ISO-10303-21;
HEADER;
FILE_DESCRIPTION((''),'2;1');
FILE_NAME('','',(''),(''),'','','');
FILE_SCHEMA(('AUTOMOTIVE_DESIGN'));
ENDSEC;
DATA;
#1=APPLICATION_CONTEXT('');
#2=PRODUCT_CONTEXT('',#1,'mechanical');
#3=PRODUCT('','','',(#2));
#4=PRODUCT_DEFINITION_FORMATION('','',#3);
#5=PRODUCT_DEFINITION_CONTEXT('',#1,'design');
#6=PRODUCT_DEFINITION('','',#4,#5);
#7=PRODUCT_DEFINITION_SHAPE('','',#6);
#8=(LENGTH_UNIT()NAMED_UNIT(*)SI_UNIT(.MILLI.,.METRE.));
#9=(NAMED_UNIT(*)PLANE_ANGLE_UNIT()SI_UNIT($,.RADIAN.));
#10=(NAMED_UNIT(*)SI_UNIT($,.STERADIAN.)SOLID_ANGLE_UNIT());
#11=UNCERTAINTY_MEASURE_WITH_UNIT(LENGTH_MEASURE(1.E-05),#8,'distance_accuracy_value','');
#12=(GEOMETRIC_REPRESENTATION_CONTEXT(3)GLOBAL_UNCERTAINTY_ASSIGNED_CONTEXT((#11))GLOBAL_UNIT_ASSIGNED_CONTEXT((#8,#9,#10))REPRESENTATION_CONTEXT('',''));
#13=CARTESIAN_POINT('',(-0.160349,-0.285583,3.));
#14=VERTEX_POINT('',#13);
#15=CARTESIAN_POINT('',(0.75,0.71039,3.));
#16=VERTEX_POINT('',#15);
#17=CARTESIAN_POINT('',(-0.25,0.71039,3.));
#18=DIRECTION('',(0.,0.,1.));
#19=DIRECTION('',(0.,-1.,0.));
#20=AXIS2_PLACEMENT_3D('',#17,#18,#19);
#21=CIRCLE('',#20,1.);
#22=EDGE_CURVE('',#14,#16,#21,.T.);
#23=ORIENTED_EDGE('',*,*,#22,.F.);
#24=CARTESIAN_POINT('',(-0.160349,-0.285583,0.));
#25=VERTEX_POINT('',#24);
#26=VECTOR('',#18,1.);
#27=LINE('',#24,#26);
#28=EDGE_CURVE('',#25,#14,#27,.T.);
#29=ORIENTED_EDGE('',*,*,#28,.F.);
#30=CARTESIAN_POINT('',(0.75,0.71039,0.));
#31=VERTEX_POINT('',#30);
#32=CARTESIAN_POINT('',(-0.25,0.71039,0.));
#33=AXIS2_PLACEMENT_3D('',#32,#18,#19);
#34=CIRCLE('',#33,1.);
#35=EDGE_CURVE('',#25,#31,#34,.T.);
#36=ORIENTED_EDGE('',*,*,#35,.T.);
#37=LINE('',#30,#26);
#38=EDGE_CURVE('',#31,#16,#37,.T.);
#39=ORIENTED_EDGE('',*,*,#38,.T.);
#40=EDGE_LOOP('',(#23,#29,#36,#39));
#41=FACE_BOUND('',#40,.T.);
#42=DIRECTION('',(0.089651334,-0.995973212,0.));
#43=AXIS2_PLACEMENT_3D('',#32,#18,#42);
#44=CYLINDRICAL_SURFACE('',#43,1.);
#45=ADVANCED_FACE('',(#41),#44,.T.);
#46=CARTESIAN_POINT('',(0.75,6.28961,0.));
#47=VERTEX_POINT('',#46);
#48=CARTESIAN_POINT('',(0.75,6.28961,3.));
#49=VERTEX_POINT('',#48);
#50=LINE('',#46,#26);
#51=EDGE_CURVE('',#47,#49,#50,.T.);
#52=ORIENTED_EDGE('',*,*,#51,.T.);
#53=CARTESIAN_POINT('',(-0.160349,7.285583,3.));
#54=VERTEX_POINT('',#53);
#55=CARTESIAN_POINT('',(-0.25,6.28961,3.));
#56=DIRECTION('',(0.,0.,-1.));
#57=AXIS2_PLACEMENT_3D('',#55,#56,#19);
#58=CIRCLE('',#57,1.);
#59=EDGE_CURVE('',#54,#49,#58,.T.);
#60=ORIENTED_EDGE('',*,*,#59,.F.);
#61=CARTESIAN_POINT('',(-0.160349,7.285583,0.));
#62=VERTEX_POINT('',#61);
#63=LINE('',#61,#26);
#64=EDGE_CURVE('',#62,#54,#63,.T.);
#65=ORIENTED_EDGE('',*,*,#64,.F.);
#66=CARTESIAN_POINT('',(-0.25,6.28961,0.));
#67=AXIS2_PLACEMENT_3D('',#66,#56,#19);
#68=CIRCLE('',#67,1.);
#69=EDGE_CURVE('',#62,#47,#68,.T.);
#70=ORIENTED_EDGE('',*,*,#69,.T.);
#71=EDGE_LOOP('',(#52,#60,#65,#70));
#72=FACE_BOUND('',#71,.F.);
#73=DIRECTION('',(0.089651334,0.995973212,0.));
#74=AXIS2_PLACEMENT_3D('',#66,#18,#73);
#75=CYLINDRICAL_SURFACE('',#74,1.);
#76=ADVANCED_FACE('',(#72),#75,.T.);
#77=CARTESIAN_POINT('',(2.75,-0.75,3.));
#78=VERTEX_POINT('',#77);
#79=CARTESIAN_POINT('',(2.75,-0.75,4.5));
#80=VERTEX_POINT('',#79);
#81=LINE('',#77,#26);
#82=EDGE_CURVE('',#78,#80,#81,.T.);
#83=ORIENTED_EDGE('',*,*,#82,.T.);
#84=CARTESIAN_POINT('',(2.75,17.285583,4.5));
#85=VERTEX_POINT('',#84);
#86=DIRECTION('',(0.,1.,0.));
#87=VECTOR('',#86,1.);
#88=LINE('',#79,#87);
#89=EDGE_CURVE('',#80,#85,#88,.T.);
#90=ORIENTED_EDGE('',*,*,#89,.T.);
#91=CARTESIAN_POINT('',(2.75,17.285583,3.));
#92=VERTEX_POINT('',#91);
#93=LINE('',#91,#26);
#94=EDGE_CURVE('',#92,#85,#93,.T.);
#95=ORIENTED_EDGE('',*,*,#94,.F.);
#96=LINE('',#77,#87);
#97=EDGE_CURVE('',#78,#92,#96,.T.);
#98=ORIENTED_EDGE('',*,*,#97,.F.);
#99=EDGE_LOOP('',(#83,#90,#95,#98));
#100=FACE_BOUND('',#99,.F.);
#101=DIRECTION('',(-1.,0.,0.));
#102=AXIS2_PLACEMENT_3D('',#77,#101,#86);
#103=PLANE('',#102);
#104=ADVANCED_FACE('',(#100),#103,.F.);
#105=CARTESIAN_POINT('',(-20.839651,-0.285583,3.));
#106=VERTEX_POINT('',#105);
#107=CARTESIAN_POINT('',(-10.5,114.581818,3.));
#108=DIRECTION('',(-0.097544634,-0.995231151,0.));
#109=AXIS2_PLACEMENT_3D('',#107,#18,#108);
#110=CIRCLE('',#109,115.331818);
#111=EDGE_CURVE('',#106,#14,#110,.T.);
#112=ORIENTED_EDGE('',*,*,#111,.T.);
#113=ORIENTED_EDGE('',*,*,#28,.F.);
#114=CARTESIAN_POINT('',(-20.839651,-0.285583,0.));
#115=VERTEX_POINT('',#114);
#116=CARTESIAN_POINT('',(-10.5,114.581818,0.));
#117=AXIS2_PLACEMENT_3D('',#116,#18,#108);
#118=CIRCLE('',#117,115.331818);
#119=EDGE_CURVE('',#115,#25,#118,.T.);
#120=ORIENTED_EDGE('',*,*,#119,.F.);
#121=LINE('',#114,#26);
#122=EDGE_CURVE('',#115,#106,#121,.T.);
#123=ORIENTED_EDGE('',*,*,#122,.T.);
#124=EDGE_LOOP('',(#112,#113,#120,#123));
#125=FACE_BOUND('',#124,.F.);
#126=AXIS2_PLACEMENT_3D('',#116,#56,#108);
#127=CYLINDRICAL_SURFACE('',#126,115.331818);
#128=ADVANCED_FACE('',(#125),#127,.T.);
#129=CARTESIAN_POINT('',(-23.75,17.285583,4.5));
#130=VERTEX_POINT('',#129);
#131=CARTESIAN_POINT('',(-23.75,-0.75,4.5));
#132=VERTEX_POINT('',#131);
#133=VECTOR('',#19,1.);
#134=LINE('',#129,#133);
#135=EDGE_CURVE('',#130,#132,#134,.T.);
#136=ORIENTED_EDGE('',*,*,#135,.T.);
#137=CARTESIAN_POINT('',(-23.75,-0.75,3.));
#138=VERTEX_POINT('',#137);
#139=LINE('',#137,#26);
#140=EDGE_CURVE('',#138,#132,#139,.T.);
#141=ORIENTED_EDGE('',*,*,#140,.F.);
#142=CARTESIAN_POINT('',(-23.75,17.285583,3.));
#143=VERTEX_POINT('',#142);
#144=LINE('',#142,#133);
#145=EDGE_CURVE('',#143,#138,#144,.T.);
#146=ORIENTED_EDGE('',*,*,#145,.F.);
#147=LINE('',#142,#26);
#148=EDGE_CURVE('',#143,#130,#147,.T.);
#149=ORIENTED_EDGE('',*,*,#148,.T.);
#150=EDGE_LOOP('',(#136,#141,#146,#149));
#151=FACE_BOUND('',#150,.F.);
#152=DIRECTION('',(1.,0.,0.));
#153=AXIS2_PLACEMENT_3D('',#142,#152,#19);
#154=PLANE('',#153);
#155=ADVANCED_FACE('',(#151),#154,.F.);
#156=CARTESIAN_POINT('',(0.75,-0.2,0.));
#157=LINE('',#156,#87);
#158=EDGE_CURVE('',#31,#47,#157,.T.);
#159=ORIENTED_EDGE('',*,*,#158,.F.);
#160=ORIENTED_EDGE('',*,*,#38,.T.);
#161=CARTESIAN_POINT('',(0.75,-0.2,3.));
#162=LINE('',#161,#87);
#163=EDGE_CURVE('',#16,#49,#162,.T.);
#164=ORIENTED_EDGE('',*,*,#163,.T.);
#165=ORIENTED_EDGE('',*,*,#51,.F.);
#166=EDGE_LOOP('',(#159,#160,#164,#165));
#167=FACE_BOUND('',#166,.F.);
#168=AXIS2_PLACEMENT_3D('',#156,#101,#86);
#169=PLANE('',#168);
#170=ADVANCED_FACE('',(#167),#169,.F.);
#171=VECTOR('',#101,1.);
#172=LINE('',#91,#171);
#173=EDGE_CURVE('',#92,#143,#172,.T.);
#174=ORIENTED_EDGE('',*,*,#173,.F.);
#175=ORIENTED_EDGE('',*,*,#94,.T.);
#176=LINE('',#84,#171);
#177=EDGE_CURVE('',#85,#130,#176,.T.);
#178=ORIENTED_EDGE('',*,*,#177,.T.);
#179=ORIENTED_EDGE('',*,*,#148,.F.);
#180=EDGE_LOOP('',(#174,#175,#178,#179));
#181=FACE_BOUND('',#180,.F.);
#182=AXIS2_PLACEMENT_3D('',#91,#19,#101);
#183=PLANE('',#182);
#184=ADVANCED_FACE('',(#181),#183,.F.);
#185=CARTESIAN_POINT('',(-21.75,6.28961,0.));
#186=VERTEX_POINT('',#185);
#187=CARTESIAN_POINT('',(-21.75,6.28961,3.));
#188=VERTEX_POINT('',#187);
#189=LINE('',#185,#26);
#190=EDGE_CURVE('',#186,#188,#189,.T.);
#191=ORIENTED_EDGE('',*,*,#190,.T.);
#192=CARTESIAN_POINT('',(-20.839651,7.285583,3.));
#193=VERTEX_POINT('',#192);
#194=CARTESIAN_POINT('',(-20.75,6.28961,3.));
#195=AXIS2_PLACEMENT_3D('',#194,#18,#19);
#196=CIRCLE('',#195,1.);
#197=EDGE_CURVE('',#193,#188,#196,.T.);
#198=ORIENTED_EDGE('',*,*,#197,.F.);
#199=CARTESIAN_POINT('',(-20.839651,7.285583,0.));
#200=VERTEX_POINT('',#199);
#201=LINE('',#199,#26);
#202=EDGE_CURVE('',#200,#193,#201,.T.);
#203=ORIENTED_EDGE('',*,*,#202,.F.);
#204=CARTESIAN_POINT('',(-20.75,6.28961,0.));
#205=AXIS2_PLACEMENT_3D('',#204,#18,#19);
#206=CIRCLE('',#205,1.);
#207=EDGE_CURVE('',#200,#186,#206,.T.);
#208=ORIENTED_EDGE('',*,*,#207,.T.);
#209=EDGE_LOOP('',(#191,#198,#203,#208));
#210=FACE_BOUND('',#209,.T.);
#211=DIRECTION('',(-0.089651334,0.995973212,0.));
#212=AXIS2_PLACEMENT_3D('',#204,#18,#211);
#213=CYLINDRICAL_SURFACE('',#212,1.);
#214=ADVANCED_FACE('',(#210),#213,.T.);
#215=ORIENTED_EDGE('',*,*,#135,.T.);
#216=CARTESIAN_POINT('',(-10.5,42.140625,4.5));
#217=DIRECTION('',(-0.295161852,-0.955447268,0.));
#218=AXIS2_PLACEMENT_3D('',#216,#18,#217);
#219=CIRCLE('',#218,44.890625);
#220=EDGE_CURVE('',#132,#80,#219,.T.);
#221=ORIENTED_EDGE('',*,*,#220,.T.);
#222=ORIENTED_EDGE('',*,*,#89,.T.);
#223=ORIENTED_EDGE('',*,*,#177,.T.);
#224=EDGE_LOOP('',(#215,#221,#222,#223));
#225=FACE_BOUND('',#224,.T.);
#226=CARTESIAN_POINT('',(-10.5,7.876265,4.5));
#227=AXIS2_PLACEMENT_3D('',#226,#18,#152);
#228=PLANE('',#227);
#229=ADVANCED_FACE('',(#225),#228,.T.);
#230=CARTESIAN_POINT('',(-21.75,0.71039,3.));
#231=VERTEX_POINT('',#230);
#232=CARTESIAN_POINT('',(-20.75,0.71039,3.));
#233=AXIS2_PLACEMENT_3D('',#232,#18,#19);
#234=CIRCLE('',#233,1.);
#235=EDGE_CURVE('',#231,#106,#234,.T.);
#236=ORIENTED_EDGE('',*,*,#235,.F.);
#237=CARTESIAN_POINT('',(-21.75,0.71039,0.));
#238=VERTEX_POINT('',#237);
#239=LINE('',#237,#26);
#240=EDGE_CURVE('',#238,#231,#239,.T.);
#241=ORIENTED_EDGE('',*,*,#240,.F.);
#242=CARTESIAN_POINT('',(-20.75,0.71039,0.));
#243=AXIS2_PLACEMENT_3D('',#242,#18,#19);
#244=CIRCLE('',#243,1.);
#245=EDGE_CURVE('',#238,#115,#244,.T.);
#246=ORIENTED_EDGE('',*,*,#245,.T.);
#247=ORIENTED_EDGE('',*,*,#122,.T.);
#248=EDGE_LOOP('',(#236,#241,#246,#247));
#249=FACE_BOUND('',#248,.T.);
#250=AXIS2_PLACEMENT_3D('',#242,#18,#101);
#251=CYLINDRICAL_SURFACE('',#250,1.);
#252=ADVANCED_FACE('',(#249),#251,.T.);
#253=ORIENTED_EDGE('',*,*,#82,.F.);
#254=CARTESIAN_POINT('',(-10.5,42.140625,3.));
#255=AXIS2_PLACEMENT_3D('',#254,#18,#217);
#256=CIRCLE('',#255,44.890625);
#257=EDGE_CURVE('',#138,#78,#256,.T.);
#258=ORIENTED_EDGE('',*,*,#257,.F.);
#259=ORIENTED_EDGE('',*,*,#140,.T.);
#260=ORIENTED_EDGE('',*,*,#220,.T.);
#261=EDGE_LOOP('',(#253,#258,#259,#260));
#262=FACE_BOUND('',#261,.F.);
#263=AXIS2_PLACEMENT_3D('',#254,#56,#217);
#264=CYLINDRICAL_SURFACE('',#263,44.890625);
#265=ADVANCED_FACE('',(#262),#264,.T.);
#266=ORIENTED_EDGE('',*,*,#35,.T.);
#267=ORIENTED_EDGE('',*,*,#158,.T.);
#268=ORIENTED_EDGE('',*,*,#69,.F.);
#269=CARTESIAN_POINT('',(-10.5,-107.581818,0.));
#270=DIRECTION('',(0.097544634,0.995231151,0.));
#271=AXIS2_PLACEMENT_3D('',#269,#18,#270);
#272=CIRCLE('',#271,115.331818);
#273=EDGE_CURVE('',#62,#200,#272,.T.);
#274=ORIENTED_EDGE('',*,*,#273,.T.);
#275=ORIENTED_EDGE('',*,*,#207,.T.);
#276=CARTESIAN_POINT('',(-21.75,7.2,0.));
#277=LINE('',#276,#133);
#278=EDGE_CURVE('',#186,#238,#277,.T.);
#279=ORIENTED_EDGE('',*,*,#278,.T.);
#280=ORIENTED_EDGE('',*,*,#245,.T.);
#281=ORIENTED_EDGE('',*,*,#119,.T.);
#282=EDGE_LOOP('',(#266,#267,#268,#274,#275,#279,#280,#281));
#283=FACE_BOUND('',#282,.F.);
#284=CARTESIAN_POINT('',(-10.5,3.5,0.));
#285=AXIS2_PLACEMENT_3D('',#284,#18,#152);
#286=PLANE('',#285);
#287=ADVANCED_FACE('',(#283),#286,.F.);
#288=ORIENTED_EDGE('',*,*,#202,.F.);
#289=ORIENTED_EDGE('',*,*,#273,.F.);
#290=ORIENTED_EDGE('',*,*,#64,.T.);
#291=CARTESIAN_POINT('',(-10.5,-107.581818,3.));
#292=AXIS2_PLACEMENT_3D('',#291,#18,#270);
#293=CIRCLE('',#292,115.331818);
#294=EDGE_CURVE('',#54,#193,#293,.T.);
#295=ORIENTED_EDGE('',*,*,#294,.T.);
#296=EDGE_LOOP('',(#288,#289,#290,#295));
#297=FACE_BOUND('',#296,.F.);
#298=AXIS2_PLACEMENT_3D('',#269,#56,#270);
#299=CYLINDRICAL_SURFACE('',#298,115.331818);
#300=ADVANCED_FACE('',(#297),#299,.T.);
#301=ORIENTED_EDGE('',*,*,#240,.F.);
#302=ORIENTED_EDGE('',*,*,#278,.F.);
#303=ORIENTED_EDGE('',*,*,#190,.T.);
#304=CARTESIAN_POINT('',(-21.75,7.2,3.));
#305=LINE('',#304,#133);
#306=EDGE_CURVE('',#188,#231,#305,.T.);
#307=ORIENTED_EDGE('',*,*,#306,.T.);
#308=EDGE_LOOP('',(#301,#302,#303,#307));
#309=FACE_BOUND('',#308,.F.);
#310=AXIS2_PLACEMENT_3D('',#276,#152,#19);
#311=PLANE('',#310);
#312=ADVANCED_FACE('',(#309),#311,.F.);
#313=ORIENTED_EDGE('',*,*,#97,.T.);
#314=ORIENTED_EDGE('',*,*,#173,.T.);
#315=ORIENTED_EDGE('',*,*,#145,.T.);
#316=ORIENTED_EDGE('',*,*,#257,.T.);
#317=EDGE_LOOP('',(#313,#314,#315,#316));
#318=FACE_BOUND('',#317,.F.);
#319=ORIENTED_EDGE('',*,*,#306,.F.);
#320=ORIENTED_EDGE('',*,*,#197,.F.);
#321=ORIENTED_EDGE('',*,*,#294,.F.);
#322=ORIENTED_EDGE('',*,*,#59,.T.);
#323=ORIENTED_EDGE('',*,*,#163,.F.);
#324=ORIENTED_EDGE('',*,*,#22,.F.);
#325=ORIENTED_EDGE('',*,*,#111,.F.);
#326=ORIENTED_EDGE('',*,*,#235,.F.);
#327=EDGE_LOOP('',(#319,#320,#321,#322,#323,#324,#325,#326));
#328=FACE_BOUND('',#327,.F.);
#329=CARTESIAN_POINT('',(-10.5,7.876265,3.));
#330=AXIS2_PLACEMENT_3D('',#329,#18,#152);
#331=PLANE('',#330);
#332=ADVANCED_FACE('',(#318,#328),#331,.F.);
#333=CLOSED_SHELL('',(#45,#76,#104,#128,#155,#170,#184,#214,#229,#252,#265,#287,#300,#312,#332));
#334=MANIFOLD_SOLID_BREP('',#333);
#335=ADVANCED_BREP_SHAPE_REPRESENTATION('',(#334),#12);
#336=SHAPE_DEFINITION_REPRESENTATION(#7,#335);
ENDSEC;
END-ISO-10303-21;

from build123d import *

# Parameters (mm, degrees)
F1_DEPTH = 3
F2_R     = 1
F4_DEPTH = 1.5


with BuildPart() as f1:
    # F0 (on Top) → F1 (new body)
    with BuildSketch(Plane.XY):
        with BuildLine():
            ThreePointArc((0.75, 7.2), (-10.5, 7.75), (-21.75, 7.2))
            Line((-21.75, 7.2), (-21.75, -0.2))
            ThreePointArc((-21.75, -0.2), (-10.5, -0.75), (0.75, -0.2))
            Line((0.75, -0.2), (0.75, 7.2))
        make_face()
    extrude(amount=F1_DEPTH)

    # F2
    f2_edges = [f1.edges().sort_by_distance(p)[0] for p in [
        (-21.75, 7.2, 1.5),
        (-21.75, -0.2, 1.5),
        (0.75, -0.2, 1.5),
        (0.75, 7.2, 1.5),
    ]]
    fillet(f2_edges, radius=F2_R)

    # F3 (on face) → F4 (join)
    with BuildSketch(Plane.XY.offset(3)):
        with BuildLine():
            Line((2.75, 17.285583), (-23.75, 17.285583))
            Line((-23.75, 17.285583), (-23.75, -0.75))
            ThreePointArc((-23.75, -0.75), (-10.5, -2.75), (2.75, -0.75))
            Line((2.75, -0.75), (2.75, 17.285583))
        make_face()
    extrude(amount=F4_DEPTH)


solid = f1.part
